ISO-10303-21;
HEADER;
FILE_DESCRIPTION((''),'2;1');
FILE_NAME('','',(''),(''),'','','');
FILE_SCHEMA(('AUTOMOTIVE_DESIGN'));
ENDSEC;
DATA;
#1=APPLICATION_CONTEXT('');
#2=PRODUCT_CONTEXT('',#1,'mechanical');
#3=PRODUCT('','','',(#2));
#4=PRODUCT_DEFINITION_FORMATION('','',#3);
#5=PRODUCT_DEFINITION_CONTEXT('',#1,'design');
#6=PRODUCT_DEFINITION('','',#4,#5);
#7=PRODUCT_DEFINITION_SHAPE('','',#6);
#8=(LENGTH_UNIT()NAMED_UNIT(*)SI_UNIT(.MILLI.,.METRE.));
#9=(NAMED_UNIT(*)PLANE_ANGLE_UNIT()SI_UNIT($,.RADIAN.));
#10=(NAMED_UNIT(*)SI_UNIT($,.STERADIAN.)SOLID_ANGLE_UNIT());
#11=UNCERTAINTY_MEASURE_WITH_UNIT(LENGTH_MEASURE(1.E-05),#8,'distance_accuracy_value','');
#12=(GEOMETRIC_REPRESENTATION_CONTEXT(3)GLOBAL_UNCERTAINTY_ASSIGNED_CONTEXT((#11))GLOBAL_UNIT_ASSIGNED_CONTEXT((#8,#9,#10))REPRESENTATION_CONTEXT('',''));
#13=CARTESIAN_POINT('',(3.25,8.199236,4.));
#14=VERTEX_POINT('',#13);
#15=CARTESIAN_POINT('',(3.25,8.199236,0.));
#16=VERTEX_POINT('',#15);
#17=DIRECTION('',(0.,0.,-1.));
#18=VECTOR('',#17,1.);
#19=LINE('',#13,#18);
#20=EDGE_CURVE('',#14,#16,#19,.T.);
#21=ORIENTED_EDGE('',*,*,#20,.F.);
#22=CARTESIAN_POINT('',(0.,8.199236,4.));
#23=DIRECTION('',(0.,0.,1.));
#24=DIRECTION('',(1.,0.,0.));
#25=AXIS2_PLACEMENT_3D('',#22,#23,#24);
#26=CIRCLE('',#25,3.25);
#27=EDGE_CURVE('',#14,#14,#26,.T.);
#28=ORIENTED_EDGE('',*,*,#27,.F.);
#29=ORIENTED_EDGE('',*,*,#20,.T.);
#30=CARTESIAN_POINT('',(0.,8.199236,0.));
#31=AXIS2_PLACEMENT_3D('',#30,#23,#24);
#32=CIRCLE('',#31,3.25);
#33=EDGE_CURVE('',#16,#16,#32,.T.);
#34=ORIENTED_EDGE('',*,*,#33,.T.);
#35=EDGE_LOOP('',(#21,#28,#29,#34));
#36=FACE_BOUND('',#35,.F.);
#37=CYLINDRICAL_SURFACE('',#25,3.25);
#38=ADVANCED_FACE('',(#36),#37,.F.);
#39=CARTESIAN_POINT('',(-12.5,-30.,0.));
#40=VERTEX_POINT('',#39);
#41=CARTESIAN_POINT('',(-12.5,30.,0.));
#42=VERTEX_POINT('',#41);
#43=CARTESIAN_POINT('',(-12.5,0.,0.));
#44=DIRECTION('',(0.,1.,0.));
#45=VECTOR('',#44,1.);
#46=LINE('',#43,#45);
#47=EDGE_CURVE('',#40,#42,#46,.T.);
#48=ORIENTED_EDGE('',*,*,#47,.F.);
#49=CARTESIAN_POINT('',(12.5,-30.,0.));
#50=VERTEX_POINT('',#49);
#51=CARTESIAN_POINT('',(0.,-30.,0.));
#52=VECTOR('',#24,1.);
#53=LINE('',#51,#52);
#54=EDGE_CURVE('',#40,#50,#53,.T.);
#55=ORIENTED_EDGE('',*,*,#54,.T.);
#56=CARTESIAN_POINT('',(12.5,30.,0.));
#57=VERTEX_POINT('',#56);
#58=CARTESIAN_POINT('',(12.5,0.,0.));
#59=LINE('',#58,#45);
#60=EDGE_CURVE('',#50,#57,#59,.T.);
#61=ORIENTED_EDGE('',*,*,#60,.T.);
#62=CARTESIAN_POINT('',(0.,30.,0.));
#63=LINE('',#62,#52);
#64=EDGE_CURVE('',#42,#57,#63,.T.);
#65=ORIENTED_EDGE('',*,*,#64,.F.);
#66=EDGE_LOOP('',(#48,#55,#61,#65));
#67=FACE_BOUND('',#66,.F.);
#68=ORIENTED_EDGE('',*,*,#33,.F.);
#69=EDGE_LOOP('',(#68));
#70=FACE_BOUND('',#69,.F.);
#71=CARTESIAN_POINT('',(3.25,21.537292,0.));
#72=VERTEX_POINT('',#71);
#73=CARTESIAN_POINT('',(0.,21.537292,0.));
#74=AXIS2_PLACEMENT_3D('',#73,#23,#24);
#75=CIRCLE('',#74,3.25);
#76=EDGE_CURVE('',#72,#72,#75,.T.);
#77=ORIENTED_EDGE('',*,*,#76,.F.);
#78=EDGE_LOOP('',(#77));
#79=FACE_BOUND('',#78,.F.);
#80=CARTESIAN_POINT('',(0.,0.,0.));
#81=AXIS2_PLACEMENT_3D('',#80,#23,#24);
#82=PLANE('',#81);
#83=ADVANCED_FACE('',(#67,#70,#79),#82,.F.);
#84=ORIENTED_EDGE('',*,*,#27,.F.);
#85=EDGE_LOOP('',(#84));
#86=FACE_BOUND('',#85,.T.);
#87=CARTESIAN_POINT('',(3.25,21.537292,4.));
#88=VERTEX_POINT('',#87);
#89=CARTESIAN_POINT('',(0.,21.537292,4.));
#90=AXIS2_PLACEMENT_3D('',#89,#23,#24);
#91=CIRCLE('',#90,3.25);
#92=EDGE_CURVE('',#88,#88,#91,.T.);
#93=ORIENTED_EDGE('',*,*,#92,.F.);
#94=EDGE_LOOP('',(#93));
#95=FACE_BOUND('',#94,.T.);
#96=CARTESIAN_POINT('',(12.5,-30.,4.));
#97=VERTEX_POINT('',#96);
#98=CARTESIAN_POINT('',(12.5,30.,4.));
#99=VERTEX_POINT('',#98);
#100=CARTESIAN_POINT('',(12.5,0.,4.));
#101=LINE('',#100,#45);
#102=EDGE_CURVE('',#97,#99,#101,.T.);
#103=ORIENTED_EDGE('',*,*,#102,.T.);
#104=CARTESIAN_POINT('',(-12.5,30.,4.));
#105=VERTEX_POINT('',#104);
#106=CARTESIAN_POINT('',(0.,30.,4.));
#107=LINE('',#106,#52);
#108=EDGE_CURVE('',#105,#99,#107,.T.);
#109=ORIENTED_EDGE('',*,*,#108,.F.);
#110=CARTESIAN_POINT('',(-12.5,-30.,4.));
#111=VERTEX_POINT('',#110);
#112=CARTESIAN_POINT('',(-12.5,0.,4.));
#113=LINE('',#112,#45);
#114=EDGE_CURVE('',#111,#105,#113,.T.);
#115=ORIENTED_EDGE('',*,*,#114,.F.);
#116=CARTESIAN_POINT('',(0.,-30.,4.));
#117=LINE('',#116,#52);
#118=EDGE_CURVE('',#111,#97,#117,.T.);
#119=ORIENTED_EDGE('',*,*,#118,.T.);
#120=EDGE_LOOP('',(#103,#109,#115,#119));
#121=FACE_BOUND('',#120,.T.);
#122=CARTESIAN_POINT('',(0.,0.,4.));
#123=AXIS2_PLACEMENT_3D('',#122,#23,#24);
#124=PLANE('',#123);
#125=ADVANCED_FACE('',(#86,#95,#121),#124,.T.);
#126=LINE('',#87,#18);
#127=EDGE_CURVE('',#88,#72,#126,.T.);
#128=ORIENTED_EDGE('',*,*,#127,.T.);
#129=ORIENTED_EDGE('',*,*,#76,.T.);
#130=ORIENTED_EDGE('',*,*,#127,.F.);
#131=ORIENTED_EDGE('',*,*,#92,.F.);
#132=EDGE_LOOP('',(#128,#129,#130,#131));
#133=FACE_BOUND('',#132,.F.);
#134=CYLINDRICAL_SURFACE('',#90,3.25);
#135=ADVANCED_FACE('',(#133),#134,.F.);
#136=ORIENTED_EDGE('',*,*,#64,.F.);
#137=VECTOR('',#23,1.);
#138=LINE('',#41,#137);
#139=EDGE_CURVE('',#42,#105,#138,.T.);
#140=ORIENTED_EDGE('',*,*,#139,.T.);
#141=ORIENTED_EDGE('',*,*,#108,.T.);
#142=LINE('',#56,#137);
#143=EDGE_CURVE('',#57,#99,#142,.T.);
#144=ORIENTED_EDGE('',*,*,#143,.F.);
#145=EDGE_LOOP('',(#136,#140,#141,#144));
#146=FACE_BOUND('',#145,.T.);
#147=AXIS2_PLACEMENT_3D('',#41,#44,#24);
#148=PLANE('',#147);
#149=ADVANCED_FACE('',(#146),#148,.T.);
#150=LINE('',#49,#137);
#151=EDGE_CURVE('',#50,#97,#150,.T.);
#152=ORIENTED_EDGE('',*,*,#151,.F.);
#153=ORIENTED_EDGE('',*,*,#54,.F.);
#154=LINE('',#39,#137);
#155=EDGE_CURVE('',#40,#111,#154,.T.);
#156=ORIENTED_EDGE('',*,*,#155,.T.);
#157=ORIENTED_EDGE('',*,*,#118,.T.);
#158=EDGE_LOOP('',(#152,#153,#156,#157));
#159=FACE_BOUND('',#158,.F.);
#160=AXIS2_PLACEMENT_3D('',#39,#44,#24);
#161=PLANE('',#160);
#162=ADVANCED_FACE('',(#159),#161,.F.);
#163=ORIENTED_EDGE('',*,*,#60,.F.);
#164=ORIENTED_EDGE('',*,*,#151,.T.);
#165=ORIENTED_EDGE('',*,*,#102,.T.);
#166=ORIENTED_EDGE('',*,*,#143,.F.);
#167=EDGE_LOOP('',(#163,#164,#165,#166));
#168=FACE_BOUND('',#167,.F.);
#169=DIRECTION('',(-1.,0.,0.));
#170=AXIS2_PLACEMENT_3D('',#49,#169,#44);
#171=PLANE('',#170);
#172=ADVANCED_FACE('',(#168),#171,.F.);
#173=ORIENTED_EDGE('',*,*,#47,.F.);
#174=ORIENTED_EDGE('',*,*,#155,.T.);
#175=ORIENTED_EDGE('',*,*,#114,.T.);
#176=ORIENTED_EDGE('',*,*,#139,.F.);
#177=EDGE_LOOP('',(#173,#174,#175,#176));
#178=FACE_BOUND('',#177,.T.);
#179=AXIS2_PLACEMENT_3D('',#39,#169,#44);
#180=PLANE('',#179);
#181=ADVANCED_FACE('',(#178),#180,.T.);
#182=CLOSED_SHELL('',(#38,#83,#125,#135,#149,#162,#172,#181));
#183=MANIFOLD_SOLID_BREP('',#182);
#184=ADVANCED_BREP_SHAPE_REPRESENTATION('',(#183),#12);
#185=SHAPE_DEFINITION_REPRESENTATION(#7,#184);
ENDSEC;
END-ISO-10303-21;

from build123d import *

# Parameters (mm, degrees)
SKETCH_W     = 25
SKETCH_H     = 60
PAD_DEPTH    = 4
SKETCH001_R  = 3.25
POCKET_DEPTH = 5


with BuildPart() as part:
    # Sketch → Pad (new body)
    with BuildSketch(Plane.XY):
        Rectangle(SKETCH_W, SKETCH_H)
    extrude(amount=PAD_DEPTH)

    # Sketch001 (on Face6 of Pad) → Pocket (cut)
    with BuildSketch(Plane.XY.offset(4)):
        with Locations((0, 21.537292)):
            Circle(SKETCH001_R)
        with Locations((0, 8.199236)):
            Circle(SKETCH001_R)
    extrude(amount=-POCKET_DEPTH, mode=Mode.SUBTRACT)


solid = part.part
